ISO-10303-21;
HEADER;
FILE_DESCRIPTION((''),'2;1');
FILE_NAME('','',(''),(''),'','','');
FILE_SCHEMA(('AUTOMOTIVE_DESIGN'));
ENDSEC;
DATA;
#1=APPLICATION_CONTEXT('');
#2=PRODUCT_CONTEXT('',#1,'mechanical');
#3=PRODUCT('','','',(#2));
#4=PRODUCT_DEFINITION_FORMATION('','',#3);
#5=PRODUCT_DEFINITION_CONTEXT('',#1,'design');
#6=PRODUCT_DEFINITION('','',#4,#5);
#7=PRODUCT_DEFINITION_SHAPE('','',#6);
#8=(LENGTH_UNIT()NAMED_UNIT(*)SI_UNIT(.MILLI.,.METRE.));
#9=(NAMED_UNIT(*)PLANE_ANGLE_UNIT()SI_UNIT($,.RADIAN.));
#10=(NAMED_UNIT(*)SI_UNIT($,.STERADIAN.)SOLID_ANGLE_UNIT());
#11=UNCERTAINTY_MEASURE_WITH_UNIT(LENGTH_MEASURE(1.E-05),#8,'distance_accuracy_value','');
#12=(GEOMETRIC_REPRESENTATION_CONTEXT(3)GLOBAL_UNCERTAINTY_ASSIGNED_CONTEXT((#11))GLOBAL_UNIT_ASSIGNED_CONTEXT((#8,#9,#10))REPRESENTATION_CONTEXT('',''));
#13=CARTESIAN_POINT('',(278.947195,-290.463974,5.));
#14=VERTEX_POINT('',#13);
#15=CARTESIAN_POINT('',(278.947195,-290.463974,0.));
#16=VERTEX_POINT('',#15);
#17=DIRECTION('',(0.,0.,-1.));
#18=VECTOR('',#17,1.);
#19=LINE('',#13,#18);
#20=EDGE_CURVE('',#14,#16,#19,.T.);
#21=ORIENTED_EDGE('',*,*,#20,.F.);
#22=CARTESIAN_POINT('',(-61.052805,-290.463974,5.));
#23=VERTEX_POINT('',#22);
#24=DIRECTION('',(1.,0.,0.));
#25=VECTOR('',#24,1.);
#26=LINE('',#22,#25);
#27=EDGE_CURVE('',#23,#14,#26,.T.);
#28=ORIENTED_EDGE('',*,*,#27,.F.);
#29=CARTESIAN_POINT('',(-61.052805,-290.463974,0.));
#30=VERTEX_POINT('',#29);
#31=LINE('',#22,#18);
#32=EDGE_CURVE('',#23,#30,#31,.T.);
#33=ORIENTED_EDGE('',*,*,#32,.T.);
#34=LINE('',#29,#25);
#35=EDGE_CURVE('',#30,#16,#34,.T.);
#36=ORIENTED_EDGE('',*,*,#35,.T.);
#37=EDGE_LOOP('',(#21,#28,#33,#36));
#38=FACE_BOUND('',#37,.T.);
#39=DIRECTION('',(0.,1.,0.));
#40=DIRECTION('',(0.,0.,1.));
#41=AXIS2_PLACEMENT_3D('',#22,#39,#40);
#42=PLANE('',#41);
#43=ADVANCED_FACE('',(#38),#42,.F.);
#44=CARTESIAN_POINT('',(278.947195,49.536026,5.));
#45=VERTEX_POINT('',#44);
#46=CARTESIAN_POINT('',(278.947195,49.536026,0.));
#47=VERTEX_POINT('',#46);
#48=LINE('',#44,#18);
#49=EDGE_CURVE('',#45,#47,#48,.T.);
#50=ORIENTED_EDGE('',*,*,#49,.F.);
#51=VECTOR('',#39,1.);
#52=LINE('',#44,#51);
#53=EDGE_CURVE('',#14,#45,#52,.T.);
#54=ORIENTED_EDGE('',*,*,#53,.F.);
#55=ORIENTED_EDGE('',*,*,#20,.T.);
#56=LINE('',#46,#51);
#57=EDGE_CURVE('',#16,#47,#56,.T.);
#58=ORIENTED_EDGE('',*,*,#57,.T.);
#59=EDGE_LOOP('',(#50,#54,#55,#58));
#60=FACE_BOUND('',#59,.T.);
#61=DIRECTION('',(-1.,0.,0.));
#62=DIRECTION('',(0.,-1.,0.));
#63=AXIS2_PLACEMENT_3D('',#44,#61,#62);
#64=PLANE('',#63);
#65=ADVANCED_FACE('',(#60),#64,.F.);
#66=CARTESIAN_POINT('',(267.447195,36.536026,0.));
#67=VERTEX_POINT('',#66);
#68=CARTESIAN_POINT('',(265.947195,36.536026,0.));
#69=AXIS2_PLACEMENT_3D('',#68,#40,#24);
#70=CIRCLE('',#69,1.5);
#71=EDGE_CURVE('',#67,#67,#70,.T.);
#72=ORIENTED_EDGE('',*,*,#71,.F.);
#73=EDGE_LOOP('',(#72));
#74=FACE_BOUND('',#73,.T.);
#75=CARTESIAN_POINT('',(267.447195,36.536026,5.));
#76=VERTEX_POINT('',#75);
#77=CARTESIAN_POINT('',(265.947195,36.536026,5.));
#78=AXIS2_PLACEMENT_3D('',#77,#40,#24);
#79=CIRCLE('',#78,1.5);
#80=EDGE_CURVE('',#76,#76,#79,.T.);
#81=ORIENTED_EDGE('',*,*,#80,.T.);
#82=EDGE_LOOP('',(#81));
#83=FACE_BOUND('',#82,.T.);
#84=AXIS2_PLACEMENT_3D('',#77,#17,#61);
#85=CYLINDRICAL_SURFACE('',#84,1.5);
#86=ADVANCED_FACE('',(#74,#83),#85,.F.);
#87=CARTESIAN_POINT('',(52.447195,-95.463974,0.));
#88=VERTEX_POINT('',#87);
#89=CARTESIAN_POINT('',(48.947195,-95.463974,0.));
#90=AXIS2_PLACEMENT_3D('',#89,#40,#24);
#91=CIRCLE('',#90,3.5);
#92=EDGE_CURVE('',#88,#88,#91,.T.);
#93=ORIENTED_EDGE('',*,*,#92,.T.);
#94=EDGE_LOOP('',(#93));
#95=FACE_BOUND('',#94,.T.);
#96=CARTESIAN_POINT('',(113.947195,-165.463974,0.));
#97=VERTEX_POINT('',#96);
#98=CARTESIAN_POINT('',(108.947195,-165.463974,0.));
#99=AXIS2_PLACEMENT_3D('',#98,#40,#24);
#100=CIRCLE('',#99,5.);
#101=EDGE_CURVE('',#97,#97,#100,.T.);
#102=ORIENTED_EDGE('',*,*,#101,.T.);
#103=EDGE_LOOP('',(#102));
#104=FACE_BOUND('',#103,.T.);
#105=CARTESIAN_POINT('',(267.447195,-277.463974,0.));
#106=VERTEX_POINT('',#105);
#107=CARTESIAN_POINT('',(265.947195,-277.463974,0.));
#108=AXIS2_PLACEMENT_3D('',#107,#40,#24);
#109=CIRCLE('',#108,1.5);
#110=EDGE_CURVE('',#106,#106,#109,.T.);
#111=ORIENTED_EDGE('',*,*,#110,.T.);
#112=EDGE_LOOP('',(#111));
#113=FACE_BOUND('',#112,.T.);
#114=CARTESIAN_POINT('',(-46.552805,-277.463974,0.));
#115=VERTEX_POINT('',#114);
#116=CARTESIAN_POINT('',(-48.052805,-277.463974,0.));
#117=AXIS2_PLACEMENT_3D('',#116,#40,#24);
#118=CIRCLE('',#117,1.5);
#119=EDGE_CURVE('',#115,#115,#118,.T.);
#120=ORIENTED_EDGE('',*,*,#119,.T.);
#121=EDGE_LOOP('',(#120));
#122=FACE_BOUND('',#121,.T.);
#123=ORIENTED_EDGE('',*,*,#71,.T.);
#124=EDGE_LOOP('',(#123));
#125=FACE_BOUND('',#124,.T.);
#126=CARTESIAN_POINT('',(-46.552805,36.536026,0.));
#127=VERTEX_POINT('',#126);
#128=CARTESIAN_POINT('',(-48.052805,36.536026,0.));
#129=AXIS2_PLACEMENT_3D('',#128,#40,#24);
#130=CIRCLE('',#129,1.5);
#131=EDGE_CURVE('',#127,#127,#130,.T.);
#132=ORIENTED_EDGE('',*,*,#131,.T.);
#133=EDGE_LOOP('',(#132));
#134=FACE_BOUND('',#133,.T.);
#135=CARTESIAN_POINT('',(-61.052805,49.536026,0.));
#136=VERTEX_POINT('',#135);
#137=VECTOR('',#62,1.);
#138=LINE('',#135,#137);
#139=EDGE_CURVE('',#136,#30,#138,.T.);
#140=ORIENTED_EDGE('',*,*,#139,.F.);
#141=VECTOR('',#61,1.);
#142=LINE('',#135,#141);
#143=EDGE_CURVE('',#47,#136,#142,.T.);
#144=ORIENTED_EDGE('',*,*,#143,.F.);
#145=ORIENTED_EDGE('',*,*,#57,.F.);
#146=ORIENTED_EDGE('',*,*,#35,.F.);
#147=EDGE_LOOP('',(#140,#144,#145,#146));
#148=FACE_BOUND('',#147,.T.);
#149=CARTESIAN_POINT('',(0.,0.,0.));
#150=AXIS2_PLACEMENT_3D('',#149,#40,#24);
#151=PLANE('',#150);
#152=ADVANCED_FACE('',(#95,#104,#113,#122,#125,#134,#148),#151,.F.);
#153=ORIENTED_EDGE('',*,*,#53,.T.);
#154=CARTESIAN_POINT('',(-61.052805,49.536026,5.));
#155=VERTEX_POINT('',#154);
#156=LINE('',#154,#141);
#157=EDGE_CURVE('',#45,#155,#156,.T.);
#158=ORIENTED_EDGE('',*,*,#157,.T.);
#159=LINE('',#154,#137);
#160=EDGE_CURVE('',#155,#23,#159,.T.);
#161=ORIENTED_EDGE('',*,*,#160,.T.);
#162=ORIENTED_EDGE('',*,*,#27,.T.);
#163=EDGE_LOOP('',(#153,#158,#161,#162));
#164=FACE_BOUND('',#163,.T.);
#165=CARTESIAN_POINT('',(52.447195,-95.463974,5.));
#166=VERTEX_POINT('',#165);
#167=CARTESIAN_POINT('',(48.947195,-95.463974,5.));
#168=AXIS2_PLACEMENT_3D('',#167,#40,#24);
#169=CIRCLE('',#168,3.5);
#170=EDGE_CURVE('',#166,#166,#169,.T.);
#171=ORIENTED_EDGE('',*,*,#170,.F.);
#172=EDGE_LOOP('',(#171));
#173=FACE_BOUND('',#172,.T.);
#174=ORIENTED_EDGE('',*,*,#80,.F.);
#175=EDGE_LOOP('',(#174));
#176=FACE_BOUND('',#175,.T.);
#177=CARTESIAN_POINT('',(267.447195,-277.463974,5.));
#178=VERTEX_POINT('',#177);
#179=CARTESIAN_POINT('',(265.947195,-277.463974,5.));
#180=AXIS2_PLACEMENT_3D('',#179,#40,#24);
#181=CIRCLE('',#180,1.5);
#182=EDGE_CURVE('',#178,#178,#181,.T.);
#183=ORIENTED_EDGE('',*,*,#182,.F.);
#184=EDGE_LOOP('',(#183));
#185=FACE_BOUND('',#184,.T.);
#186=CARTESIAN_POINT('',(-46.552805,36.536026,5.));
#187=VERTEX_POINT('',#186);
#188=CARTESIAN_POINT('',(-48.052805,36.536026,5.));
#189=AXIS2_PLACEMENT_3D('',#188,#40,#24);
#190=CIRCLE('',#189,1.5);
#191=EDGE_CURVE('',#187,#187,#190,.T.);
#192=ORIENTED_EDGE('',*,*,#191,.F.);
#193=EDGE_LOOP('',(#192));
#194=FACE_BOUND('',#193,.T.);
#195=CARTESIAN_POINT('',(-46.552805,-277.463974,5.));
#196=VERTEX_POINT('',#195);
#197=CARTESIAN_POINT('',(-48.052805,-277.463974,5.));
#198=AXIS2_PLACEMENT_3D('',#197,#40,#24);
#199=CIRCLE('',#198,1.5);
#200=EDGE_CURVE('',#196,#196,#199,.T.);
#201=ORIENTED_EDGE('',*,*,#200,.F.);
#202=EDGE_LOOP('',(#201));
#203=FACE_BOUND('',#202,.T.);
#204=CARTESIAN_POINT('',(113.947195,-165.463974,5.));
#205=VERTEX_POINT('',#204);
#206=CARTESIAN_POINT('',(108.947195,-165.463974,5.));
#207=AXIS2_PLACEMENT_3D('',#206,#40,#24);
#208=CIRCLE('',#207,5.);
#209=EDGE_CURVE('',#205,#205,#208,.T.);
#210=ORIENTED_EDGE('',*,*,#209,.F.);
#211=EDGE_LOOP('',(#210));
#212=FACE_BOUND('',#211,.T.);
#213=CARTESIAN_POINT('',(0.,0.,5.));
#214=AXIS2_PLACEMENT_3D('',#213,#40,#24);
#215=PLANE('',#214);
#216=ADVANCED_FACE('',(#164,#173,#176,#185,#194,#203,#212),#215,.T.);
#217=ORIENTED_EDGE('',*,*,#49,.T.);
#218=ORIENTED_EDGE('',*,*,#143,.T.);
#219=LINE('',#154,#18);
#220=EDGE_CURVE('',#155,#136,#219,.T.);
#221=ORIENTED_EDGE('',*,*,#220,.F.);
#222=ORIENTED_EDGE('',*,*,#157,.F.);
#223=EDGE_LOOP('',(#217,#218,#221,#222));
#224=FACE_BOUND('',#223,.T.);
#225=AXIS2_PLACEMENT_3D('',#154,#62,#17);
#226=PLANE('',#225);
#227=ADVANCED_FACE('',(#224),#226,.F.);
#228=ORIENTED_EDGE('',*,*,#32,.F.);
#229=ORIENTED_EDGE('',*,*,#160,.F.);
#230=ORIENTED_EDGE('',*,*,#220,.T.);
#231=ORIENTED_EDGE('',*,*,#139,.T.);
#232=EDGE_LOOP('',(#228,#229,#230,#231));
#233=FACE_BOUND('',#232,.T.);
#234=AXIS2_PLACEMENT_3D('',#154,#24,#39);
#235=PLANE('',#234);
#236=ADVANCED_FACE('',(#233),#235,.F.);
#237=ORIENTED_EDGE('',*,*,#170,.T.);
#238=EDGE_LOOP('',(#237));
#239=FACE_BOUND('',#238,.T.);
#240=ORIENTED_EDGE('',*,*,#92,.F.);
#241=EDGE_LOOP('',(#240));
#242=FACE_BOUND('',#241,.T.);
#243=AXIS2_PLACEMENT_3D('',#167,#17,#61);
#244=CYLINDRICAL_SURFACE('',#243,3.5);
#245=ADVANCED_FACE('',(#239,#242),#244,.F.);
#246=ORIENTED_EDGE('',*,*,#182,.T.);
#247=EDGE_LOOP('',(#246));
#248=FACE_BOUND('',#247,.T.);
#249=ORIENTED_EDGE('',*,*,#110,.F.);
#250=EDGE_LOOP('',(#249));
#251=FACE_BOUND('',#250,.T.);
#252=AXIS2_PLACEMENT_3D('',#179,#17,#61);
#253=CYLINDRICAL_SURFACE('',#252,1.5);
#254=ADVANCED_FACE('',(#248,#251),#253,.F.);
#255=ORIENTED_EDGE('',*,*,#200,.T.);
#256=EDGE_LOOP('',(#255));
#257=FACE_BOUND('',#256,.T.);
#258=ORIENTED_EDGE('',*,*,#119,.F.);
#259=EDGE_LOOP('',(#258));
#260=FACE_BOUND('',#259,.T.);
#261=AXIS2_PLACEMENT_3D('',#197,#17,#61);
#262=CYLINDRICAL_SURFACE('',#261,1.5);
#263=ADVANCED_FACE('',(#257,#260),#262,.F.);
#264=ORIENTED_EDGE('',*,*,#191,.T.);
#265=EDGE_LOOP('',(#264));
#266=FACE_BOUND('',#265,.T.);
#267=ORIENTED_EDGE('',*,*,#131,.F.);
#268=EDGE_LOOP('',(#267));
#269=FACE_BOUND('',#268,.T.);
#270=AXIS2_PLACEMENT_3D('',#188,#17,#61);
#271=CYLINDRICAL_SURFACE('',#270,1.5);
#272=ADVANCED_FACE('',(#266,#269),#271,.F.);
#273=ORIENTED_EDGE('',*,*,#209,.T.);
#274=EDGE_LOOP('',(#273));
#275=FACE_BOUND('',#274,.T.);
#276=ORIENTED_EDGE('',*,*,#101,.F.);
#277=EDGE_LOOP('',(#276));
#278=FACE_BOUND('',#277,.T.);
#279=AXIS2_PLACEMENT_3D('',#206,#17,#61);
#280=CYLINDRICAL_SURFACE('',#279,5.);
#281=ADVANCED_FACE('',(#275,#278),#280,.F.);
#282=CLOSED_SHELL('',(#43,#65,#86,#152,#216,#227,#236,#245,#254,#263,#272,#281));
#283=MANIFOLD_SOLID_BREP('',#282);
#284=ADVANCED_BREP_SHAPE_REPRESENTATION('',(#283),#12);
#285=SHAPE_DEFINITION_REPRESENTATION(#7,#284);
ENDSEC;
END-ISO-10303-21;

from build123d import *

# Parameters (mm, degrees)
CROQUIS1_W              = 340
CROQUIS1_H              = 340
CROQUIS1_R              = 1.5
CROQUIS1_R_2            = 5
CROQUIS1_R_3            = 3.5
SALIENTE_EXTRUIR1_DEPTH = 5


with BuildPart() as part:
    # Croquis1 → Saliente-Extruir1 (new body)
    with BuildSketch(Plane.XY):
        with Locations((108.94719541, -120.463974458)):
            Rectangle(CROQUIS1_W, CROQUIS1_H)
        with Locations((-48.05280459, -277.463974458)):
            Circle(CROQUIS1_R, mode=Mode.SUBTRACT)
        with Locations((-48.05280459, 36.536025542)):
            Circle(CROQUIS1_R, mode=Mode.SUBTRACT)
        with Locations((265.94719541, -277.463974458)):
            Circle(CROQUIS1_R, mode=Mode.SUBTRACT)
        with Locations((265.94719541, 36.536025542)):
            Circle(CROQUIS1_R, mode=Mode.SUBTRACT)
        with Locations((108.94719541, -165.463974458)):
            Circle(CROQUIS1_R_2, mode=Mode.SUBTRACT)
        with Locations((48.94719541, -95.463974458)):
            Circle(CROQUIS1_R_3, mode=Mode.SUBTRACT)
    extrude(amount=SALIENTE_EXTRUIR1_DEPTH)


solid = part.part
